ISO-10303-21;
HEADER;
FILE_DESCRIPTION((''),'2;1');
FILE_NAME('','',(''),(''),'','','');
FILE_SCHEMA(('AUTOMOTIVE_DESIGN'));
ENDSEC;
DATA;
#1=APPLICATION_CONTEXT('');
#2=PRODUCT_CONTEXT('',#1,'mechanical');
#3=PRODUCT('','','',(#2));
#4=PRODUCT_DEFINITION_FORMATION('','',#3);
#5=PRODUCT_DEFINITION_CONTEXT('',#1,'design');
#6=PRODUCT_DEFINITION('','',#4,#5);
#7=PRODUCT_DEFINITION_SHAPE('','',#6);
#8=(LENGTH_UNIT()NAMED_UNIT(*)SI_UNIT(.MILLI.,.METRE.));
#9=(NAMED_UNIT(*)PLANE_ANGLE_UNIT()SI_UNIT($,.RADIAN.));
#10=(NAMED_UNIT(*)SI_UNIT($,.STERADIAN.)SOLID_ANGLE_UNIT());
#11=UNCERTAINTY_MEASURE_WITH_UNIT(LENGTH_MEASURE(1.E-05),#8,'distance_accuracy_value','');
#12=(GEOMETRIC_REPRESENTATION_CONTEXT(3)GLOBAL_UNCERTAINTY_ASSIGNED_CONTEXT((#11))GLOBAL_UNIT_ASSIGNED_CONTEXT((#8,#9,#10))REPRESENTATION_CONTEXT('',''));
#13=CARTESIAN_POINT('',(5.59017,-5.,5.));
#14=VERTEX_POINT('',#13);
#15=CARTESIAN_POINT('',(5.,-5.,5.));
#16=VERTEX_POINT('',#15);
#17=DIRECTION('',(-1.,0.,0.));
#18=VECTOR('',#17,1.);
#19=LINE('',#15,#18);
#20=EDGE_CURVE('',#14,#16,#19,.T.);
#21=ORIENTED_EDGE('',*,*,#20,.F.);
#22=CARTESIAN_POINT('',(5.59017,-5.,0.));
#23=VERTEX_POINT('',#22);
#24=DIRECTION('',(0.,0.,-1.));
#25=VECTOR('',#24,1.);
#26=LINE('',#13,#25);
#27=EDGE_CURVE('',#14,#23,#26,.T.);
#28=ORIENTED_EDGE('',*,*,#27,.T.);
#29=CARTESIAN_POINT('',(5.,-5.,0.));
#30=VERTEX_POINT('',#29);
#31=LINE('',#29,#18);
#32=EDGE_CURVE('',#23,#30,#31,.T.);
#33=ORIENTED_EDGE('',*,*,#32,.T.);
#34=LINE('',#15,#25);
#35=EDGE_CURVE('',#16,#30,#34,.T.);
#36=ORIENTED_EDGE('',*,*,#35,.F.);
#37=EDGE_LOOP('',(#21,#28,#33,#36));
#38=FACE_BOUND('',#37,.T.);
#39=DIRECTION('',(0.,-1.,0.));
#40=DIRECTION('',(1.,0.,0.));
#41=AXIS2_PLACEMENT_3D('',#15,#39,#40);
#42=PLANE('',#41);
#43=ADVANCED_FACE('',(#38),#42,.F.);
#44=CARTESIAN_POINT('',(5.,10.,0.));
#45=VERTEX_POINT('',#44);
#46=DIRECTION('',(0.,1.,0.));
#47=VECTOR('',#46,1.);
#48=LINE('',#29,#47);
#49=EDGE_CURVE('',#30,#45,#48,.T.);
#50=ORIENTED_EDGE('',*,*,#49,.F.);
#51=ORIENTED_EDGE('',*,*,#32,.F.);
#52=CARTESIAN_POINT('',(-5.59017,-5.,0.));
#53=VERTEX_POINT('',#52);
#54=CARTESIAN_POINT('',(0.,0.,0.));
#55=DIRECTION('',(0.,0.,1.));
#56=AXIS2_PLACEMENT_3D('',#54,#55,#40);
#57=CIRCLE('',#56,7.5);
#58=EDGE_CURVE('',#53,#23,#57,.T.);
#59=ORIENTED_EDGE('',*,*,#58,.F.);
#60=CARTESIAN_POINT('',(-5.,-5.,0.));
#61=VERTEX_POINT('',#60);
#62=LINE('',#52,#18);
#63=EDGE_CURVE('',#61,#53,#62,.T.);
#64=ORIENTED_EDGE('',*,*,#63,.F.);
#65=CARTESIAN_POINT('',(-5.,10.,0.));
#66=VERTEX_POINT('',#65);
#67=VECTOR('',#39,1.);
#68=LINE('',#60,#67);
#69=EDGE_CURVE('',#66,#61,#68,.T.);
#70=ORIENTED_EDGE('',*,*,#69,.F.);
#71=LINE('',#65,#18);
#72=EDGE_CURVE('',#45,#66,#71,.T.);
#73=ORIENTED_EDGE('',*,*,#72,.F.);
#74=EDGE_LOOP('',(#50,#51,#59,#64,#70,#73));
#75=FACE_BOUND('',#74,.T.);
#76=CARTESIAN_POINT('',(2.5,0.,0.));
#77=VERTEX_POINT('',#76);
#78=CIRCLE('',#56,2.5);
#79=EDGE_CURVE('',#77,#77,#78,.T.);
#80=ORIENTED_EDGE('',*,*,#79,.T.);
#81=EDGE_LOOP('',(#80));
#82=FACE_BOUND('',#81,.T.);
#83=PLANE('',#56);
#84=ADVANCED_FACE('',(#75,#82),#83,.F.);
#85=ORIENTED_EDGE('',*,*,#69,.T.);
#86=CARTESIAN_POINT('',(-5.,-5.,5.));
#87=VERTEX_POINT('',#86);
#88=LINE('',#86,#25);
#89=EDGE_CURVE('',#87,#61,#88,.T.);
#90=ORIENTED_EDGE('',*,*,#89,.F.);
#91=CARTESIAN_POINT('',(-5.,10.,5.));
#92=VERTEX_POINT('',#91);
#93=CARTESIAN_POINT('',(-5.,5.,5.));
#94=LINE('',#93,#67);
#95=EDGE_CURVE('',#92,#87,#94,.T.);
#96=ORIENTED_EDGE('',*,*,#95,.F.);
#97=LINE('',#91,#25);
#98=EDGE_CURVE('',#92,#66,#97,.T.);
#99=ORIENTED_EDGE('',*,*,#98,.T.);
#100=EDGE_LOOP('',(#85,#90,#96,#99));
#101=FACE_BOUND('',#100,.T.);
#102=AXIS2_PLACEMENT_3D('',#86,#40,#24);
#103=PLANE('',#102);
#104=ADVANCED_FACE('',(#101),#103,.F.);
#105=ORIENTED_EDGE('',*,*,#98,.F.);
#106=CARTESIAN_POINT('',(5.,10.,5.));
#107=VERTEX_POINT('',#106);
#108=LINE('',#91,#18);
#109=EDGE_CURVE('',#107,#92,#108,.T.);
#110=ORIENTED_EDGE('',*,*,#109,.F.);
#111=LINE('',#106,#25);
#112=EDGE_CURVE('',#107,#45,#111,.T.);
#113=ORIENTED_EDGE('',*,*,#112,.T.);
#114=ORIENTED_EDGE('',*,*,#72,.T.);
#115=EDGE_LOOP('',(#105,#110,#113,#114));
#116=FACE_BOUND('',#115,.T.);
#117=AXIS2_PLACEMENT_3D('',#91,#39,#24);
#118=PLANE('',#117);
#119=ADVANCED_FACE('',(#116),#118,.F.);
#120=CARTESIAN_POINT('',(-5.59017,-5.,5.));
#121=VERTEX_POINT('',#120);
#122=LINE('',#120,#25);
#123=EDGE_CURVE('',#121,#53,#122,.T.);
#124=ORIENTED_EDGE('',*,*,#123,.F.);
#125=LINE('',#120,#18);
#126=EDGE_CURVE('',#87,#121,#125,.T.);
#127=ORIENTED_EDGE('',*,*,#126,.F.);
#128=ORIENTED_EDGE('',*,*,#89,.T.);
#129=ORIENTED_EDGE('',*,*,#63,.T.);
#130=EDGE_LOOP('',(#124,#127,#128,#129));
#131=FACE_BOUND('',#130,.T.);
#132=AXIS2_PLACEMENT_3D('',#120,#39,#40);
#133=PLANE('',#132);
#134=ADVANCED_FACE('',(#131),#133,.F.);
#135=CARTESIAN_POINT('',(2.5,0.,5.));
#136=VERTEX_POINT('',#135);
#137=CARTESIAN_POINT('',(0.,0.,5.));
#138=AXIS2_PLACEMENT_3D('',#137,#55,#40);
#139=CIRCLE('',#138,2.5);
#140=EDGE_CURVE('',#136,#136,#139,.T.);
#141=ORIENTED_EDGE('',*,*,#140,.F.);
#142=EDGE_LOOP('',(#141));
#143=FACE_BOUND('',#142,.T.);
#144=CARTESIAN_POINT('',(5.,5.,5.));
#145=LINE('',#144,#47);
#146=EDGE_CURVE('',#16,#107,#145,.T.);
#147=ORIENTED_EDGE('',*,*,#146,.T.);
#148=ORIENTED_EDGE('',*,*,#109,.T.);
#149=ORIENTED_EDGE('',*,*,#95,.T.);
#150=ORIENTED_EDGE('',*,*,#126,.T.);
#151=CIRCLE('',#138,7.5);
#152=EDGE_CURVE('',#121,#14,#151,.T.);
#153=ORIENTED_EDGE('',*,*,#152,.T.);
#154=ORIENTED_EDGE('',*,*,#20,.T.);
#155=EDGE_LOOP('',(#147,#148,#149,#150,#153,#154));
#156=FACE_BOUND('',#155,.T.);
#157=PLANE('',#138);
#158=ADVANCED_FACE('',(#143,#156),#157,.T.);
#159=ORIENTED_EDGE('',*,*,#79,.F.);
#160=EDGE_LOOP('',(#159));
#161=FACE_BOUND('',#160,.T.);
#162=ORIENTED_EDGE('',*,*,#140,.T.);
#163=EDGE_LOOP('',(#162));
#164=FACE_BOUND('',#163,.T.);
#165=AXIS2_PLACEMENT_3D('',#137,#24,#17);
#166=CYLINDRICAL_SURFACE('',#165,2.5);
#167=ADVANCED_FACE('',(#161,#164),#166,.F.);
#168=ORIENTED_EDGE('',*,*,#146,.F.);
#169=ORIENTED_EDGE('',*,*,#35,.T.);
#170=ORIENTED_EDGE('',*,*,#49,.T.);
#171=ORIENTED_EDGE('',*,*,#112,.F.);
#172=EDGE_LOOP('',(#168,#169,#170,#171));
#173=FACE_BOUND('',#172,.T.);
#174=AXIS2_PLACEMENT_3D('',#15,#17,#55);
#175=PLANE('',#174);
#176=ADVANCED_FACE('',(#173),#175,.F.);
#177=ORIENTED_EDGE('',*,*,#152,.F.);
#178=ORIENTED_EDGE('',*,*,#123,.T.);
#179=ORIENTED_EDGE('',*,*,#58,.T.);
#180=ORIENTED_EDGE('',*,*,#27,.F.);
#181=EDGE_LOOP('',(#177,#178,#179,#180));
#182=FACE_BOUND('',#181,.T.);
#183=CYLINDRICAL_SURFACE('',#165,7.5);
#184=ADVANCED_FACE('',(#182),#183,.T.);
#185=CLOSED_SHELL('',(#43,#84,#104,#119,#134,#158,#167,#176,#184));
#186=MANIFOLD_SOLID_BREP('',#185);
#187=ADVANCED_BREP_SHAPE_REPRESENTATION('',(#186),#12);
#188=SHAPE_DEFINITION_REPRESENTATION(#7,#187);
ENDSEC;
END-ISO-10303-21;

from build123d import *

# Parameters (mm, degrees)
CROQUIS1_R              = 2.5
SALIENTE_EXTRUIR1_DEPTH = 5


with BuildPart() as part:
    # Croquis1 → Saliente-Extruir1 (new body)
    with BuildSketch(Plane.XY):
        with BuildLine():
            Line((5, -5), (5.590169944, -5))
            ThreePointArc((5.590169944, -5), (0, -7.5), (-5.590169944, -5))
            Line((-5.590169944, -5), (-5, -5))
            Line((-5, -5), (-5, 5))
            Line((-5, 5), (-5, 10))
            Line((-5, 10), (5, 10))
            Line((5, 10), (5, 5))
            Line((5, 5), (5, -5))
        make_face()
        Circle(CROQUIS1_R, mode=Mode.SUBTRACT)
    extrude(amount=SALIENTE_EXTRUIR1_DEPTH)


solid = part.part
